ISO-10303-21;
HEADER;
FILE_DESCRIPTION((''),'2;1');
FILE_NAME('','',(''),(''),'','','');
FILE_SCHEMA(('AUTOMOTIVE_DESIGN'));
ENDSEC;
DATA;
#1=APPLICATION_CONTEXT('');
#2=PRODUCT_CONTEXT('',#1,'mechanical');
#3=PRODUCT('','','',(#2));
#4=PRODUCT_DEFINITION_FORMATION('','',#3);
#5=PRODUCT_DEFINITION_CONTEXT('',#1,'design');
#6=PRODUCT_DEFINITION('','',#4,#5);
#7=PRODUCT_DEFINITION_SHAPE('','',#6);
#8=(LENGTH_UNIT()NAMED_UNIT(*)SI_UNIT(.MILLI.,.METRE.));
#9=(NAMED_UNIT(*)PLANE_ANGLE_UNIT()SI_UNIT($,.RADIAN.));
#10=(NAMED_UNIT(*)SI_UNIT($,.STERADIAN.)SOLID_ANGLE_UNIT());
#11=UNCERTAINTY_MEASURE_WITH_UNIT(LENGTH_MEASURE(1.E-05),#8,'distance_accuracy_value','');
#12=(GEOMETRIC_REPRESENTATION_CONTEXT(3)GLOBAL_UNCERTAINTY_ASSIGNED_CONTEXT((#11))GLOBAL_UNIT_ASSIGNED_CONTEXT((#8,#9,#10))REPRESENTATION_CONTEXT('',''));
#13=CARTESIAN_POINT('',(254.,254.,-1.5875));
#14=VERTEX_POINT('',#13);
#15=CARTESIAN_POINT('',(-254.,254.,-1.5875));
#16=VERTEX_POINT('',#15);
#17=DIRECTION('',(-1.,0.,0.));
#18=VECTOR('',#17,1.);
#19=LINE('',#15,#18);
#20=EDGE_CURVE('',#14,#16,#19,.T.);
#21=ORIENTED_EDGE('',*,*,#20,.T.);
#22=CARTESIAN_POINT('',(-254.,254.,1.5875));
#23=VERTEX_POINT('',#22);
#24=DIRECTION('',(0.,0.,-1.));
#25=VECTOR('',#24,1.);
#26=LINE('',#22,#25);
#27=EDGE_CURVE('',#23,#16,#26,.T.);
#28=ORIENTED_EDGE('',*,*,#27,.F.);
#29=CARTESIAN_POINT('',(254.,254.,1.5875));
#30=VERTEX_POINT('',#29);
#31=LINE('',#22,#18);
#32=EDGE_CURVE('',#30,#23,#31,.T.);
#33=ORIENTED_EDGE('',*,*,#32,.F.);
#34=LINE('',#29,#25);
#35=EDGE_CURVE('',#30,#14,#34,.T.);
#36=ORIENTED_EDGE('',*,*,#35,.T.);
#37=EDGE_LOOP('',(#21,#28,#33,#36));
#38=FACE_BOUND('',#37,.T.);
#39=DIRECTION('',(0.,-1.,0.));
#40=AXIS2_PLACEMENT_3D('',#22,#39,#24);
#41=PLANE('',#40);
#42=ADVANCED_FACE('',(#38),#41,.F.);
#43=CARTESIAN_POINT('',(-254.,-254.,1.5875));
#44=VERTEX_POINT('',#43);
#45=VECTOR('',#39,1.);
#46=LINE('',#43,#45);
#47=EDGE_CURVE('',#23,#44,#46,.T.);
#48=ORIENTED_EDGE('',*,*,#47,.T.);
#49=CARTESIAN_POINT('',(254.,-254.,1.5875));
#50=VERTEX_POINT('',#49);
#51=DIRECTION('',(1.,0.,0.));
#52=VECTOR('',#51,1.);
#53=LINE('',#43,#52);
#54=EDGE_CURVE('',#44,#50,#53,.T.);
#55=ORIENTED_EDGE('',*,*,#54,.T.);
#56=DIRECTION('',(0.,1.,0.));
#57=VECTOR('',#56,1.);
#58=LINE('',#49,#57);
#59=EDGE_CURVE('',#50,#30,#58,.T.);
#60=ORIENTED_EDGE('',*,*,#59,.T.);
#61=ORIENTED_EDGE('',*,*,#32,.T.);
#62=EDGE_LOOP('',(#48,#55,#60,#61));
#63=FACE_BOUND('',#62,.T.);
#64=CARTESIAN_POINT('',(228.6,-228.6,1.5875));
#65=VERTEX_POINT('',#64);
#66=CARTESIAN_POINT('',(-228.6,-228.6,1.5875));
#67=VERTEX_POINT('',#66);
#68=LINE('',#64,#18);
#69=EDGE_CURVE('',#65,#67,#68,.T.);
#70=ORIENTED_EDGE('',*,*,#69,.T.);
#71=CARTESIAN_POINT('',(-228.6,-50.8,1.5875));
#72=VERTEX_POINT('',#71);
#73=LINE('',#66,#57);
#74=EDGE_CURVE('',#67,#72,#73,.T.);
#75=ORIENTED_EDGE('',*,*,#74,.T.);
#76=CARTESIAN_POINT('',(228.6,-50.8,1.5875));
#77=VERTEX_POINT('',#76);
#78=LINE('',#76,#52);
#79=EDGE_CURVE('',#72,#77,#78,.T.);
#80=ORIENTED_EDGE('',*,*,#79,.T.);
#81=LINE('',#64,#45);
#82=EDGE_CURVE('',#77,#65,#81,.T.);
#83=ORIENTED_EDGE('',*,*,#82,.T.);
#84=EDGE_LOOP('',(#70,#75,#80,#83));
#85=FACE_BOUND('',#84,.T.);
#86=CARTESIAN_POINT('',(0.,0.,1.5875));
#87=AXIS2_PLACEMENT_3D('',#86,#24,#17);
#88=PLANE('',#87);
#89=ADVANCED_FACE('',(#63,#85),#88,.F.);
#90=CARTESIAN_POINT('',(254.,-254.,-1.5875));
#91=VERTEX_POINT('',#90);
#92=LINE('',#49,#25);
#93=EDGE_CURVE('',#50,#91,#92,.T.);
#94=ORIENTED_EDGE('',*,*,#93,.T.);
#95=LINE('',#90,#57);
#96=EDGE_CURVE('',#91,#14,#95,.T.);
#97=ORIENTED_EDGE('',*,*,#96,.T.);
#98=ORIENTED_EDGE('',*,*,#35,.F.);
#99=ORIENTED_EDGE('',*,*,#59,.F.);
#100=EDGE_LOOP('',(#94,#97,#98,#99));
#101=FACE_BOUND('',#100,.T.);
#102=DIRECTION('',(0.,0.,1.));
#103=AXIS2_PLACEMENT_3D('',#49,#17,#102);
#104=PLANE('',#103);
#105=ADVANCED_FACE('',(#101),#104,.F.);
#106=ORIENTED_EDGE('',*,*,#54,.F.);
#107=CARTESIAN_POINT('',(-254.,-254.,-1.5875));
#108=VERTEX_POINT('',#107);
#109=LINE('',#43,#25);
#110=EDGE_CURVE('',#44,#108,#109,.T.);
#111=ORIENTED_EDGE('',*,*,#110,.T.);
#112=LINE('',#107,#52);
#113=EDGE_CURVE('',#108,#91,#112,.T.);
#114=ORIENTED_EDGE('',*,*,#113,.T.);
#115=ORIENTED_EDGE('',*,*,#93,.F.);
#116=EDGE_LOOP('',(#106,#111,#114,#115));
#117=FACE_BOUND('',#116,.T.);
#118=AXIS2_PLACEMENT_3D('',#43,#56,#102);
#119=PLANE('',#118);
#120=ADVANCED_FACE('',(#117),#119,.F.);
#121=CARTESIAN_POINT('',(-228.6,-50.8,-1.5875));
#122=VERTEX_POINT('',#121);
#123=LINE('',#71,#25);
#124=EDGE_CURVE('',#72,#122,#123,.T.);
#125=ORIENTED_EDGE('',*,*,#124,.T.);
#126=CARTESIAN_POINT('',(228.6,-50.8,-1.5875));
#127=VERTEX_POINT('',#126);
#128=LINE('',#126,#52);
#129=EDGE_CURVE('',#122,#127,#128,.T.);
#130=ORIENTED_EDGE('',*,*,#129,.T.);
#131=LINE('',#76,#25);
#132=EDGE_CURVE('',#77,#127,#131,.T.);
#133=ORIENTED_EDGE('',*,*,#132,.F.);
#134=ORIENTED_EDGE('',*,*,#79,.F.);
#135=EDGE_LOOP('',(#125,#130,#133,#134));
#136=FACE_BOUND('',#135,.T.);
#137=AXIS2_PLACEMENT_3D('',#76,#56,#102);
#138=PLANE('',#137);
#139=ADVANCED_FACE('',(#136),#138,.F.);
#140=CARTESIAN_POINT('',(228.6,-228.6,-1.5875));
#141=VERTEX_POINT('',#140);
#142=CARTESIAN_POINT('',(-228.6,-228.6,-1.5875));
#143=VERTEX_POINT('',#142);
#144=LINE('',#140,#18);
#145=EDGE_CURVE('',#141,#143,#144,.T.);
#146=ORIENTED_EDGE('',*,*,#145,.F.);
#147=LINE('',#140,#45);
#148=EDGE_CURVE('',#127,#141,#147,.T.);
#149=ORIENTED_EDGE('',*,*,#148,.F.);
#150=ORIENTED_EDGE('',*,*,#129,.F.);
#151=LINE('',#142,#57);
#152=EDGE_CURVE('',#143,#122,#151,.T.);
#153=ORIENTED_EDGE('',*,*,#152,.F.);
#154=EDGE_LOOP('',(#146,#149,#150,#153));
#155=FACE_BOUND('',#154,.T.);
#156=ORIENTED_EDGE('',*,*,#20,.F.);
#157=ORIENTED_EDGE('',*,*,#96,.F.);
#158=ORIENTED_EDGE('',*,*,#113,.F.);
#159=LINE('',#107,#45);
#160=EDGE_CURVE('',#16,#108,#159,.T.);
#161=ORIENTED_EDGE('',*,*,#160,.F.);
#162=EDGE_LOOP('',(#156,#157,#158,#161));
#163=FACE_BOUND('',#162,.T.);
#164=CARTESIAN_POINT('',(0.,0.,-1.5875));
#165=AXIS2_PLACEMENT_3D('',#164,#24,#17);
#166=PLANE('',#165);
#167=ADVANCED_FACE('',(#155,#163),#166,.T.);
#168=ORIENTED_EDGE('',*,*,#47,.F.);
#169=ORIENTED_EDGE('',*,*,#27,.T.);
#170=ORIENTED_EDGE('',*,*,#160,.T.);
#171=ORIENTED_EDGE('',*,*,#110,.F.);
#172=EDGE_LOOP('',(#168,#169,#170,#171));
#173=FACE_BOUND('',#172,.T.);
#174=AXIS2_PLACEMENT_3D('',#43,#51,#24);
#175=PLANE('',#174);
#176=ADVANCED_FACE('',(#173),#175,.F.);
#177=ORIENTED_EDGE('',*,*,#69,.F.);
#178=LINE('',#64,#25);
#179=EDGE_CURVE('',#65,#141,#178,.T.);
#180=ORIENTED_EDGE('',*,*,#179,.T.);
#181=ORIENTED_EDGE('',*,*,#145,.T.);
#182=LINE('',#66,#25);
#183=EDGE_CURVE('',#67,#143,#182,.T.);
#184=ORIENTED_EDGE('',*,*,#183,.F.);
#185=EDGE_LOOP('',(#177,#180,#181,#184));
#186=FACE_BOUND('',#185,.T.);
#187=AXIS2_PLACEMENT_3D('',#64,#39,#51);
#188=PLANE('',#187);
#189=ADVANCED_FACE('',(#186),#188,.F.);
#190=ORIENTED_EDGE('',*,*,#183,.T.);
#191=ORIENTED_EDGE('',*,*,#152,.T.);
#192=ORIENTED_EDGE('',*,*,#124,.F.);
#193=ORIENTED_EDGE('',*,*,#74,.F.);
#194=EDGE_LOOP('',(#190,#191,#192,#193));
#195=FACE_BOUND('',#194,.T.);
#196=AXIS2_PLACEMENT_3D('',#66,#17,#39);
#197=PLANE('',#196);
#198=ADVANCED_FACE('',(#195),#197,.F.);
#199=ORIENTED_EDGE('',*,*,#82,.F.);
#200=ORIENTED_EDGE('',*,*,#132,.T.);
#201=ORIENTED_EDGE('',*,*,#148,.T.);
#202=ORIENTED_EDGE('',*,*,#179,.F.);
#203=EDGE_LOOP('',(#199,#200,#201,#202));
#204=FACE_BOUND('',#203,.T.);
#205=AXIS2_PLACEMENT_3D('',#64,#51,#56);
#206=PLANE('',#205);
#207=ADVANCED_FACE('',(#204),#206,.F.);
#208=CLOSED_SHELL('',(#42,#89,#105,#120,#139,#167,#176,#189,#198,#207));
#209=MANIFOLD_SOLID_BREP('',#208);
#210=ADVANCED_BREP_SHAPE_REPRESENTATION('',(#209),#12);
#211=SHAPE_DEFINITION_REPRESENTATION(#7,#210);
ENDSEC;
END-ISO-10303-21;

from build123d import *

# Parameters (mm, degrees)
SKETCH1_W           = 508
SKETCH1_H           = 508
BOSS_EXTRUDE1_DEPTH = 1.5875
SKETCH3_W           = 457.2
SKETCH3_H           = 177.8
CUT_EXTRUDE2_DEPTH  = 360.224276219


with BuildPart() as part:
    # Sketch1 → Boss-Extrude1 (new, symmetric)
    with BuildSketch(Plane.XY):
        Rectangle(SKETCH1_W, SKETCH1_H)
    extrude(amount=BOSS_EXTRUDE1_DEPTH, both=True)

    # Sketch3 → Cut-Extrude2 (cut, through all)
    with BuildSketch(Plane(origin=(0, 0, -1.5875), x_dir=(-1, 0, 0), z_dir=(0, 0, -1))):
        with Locations((0, -139.7)):
            Rectangle(SKETCH3_W, SKETCH3_H)
    extrude(amount=-CUT_EXTRUDE2_DEPTH, mode=Mode.SUBTRACT)


solid = part.part
